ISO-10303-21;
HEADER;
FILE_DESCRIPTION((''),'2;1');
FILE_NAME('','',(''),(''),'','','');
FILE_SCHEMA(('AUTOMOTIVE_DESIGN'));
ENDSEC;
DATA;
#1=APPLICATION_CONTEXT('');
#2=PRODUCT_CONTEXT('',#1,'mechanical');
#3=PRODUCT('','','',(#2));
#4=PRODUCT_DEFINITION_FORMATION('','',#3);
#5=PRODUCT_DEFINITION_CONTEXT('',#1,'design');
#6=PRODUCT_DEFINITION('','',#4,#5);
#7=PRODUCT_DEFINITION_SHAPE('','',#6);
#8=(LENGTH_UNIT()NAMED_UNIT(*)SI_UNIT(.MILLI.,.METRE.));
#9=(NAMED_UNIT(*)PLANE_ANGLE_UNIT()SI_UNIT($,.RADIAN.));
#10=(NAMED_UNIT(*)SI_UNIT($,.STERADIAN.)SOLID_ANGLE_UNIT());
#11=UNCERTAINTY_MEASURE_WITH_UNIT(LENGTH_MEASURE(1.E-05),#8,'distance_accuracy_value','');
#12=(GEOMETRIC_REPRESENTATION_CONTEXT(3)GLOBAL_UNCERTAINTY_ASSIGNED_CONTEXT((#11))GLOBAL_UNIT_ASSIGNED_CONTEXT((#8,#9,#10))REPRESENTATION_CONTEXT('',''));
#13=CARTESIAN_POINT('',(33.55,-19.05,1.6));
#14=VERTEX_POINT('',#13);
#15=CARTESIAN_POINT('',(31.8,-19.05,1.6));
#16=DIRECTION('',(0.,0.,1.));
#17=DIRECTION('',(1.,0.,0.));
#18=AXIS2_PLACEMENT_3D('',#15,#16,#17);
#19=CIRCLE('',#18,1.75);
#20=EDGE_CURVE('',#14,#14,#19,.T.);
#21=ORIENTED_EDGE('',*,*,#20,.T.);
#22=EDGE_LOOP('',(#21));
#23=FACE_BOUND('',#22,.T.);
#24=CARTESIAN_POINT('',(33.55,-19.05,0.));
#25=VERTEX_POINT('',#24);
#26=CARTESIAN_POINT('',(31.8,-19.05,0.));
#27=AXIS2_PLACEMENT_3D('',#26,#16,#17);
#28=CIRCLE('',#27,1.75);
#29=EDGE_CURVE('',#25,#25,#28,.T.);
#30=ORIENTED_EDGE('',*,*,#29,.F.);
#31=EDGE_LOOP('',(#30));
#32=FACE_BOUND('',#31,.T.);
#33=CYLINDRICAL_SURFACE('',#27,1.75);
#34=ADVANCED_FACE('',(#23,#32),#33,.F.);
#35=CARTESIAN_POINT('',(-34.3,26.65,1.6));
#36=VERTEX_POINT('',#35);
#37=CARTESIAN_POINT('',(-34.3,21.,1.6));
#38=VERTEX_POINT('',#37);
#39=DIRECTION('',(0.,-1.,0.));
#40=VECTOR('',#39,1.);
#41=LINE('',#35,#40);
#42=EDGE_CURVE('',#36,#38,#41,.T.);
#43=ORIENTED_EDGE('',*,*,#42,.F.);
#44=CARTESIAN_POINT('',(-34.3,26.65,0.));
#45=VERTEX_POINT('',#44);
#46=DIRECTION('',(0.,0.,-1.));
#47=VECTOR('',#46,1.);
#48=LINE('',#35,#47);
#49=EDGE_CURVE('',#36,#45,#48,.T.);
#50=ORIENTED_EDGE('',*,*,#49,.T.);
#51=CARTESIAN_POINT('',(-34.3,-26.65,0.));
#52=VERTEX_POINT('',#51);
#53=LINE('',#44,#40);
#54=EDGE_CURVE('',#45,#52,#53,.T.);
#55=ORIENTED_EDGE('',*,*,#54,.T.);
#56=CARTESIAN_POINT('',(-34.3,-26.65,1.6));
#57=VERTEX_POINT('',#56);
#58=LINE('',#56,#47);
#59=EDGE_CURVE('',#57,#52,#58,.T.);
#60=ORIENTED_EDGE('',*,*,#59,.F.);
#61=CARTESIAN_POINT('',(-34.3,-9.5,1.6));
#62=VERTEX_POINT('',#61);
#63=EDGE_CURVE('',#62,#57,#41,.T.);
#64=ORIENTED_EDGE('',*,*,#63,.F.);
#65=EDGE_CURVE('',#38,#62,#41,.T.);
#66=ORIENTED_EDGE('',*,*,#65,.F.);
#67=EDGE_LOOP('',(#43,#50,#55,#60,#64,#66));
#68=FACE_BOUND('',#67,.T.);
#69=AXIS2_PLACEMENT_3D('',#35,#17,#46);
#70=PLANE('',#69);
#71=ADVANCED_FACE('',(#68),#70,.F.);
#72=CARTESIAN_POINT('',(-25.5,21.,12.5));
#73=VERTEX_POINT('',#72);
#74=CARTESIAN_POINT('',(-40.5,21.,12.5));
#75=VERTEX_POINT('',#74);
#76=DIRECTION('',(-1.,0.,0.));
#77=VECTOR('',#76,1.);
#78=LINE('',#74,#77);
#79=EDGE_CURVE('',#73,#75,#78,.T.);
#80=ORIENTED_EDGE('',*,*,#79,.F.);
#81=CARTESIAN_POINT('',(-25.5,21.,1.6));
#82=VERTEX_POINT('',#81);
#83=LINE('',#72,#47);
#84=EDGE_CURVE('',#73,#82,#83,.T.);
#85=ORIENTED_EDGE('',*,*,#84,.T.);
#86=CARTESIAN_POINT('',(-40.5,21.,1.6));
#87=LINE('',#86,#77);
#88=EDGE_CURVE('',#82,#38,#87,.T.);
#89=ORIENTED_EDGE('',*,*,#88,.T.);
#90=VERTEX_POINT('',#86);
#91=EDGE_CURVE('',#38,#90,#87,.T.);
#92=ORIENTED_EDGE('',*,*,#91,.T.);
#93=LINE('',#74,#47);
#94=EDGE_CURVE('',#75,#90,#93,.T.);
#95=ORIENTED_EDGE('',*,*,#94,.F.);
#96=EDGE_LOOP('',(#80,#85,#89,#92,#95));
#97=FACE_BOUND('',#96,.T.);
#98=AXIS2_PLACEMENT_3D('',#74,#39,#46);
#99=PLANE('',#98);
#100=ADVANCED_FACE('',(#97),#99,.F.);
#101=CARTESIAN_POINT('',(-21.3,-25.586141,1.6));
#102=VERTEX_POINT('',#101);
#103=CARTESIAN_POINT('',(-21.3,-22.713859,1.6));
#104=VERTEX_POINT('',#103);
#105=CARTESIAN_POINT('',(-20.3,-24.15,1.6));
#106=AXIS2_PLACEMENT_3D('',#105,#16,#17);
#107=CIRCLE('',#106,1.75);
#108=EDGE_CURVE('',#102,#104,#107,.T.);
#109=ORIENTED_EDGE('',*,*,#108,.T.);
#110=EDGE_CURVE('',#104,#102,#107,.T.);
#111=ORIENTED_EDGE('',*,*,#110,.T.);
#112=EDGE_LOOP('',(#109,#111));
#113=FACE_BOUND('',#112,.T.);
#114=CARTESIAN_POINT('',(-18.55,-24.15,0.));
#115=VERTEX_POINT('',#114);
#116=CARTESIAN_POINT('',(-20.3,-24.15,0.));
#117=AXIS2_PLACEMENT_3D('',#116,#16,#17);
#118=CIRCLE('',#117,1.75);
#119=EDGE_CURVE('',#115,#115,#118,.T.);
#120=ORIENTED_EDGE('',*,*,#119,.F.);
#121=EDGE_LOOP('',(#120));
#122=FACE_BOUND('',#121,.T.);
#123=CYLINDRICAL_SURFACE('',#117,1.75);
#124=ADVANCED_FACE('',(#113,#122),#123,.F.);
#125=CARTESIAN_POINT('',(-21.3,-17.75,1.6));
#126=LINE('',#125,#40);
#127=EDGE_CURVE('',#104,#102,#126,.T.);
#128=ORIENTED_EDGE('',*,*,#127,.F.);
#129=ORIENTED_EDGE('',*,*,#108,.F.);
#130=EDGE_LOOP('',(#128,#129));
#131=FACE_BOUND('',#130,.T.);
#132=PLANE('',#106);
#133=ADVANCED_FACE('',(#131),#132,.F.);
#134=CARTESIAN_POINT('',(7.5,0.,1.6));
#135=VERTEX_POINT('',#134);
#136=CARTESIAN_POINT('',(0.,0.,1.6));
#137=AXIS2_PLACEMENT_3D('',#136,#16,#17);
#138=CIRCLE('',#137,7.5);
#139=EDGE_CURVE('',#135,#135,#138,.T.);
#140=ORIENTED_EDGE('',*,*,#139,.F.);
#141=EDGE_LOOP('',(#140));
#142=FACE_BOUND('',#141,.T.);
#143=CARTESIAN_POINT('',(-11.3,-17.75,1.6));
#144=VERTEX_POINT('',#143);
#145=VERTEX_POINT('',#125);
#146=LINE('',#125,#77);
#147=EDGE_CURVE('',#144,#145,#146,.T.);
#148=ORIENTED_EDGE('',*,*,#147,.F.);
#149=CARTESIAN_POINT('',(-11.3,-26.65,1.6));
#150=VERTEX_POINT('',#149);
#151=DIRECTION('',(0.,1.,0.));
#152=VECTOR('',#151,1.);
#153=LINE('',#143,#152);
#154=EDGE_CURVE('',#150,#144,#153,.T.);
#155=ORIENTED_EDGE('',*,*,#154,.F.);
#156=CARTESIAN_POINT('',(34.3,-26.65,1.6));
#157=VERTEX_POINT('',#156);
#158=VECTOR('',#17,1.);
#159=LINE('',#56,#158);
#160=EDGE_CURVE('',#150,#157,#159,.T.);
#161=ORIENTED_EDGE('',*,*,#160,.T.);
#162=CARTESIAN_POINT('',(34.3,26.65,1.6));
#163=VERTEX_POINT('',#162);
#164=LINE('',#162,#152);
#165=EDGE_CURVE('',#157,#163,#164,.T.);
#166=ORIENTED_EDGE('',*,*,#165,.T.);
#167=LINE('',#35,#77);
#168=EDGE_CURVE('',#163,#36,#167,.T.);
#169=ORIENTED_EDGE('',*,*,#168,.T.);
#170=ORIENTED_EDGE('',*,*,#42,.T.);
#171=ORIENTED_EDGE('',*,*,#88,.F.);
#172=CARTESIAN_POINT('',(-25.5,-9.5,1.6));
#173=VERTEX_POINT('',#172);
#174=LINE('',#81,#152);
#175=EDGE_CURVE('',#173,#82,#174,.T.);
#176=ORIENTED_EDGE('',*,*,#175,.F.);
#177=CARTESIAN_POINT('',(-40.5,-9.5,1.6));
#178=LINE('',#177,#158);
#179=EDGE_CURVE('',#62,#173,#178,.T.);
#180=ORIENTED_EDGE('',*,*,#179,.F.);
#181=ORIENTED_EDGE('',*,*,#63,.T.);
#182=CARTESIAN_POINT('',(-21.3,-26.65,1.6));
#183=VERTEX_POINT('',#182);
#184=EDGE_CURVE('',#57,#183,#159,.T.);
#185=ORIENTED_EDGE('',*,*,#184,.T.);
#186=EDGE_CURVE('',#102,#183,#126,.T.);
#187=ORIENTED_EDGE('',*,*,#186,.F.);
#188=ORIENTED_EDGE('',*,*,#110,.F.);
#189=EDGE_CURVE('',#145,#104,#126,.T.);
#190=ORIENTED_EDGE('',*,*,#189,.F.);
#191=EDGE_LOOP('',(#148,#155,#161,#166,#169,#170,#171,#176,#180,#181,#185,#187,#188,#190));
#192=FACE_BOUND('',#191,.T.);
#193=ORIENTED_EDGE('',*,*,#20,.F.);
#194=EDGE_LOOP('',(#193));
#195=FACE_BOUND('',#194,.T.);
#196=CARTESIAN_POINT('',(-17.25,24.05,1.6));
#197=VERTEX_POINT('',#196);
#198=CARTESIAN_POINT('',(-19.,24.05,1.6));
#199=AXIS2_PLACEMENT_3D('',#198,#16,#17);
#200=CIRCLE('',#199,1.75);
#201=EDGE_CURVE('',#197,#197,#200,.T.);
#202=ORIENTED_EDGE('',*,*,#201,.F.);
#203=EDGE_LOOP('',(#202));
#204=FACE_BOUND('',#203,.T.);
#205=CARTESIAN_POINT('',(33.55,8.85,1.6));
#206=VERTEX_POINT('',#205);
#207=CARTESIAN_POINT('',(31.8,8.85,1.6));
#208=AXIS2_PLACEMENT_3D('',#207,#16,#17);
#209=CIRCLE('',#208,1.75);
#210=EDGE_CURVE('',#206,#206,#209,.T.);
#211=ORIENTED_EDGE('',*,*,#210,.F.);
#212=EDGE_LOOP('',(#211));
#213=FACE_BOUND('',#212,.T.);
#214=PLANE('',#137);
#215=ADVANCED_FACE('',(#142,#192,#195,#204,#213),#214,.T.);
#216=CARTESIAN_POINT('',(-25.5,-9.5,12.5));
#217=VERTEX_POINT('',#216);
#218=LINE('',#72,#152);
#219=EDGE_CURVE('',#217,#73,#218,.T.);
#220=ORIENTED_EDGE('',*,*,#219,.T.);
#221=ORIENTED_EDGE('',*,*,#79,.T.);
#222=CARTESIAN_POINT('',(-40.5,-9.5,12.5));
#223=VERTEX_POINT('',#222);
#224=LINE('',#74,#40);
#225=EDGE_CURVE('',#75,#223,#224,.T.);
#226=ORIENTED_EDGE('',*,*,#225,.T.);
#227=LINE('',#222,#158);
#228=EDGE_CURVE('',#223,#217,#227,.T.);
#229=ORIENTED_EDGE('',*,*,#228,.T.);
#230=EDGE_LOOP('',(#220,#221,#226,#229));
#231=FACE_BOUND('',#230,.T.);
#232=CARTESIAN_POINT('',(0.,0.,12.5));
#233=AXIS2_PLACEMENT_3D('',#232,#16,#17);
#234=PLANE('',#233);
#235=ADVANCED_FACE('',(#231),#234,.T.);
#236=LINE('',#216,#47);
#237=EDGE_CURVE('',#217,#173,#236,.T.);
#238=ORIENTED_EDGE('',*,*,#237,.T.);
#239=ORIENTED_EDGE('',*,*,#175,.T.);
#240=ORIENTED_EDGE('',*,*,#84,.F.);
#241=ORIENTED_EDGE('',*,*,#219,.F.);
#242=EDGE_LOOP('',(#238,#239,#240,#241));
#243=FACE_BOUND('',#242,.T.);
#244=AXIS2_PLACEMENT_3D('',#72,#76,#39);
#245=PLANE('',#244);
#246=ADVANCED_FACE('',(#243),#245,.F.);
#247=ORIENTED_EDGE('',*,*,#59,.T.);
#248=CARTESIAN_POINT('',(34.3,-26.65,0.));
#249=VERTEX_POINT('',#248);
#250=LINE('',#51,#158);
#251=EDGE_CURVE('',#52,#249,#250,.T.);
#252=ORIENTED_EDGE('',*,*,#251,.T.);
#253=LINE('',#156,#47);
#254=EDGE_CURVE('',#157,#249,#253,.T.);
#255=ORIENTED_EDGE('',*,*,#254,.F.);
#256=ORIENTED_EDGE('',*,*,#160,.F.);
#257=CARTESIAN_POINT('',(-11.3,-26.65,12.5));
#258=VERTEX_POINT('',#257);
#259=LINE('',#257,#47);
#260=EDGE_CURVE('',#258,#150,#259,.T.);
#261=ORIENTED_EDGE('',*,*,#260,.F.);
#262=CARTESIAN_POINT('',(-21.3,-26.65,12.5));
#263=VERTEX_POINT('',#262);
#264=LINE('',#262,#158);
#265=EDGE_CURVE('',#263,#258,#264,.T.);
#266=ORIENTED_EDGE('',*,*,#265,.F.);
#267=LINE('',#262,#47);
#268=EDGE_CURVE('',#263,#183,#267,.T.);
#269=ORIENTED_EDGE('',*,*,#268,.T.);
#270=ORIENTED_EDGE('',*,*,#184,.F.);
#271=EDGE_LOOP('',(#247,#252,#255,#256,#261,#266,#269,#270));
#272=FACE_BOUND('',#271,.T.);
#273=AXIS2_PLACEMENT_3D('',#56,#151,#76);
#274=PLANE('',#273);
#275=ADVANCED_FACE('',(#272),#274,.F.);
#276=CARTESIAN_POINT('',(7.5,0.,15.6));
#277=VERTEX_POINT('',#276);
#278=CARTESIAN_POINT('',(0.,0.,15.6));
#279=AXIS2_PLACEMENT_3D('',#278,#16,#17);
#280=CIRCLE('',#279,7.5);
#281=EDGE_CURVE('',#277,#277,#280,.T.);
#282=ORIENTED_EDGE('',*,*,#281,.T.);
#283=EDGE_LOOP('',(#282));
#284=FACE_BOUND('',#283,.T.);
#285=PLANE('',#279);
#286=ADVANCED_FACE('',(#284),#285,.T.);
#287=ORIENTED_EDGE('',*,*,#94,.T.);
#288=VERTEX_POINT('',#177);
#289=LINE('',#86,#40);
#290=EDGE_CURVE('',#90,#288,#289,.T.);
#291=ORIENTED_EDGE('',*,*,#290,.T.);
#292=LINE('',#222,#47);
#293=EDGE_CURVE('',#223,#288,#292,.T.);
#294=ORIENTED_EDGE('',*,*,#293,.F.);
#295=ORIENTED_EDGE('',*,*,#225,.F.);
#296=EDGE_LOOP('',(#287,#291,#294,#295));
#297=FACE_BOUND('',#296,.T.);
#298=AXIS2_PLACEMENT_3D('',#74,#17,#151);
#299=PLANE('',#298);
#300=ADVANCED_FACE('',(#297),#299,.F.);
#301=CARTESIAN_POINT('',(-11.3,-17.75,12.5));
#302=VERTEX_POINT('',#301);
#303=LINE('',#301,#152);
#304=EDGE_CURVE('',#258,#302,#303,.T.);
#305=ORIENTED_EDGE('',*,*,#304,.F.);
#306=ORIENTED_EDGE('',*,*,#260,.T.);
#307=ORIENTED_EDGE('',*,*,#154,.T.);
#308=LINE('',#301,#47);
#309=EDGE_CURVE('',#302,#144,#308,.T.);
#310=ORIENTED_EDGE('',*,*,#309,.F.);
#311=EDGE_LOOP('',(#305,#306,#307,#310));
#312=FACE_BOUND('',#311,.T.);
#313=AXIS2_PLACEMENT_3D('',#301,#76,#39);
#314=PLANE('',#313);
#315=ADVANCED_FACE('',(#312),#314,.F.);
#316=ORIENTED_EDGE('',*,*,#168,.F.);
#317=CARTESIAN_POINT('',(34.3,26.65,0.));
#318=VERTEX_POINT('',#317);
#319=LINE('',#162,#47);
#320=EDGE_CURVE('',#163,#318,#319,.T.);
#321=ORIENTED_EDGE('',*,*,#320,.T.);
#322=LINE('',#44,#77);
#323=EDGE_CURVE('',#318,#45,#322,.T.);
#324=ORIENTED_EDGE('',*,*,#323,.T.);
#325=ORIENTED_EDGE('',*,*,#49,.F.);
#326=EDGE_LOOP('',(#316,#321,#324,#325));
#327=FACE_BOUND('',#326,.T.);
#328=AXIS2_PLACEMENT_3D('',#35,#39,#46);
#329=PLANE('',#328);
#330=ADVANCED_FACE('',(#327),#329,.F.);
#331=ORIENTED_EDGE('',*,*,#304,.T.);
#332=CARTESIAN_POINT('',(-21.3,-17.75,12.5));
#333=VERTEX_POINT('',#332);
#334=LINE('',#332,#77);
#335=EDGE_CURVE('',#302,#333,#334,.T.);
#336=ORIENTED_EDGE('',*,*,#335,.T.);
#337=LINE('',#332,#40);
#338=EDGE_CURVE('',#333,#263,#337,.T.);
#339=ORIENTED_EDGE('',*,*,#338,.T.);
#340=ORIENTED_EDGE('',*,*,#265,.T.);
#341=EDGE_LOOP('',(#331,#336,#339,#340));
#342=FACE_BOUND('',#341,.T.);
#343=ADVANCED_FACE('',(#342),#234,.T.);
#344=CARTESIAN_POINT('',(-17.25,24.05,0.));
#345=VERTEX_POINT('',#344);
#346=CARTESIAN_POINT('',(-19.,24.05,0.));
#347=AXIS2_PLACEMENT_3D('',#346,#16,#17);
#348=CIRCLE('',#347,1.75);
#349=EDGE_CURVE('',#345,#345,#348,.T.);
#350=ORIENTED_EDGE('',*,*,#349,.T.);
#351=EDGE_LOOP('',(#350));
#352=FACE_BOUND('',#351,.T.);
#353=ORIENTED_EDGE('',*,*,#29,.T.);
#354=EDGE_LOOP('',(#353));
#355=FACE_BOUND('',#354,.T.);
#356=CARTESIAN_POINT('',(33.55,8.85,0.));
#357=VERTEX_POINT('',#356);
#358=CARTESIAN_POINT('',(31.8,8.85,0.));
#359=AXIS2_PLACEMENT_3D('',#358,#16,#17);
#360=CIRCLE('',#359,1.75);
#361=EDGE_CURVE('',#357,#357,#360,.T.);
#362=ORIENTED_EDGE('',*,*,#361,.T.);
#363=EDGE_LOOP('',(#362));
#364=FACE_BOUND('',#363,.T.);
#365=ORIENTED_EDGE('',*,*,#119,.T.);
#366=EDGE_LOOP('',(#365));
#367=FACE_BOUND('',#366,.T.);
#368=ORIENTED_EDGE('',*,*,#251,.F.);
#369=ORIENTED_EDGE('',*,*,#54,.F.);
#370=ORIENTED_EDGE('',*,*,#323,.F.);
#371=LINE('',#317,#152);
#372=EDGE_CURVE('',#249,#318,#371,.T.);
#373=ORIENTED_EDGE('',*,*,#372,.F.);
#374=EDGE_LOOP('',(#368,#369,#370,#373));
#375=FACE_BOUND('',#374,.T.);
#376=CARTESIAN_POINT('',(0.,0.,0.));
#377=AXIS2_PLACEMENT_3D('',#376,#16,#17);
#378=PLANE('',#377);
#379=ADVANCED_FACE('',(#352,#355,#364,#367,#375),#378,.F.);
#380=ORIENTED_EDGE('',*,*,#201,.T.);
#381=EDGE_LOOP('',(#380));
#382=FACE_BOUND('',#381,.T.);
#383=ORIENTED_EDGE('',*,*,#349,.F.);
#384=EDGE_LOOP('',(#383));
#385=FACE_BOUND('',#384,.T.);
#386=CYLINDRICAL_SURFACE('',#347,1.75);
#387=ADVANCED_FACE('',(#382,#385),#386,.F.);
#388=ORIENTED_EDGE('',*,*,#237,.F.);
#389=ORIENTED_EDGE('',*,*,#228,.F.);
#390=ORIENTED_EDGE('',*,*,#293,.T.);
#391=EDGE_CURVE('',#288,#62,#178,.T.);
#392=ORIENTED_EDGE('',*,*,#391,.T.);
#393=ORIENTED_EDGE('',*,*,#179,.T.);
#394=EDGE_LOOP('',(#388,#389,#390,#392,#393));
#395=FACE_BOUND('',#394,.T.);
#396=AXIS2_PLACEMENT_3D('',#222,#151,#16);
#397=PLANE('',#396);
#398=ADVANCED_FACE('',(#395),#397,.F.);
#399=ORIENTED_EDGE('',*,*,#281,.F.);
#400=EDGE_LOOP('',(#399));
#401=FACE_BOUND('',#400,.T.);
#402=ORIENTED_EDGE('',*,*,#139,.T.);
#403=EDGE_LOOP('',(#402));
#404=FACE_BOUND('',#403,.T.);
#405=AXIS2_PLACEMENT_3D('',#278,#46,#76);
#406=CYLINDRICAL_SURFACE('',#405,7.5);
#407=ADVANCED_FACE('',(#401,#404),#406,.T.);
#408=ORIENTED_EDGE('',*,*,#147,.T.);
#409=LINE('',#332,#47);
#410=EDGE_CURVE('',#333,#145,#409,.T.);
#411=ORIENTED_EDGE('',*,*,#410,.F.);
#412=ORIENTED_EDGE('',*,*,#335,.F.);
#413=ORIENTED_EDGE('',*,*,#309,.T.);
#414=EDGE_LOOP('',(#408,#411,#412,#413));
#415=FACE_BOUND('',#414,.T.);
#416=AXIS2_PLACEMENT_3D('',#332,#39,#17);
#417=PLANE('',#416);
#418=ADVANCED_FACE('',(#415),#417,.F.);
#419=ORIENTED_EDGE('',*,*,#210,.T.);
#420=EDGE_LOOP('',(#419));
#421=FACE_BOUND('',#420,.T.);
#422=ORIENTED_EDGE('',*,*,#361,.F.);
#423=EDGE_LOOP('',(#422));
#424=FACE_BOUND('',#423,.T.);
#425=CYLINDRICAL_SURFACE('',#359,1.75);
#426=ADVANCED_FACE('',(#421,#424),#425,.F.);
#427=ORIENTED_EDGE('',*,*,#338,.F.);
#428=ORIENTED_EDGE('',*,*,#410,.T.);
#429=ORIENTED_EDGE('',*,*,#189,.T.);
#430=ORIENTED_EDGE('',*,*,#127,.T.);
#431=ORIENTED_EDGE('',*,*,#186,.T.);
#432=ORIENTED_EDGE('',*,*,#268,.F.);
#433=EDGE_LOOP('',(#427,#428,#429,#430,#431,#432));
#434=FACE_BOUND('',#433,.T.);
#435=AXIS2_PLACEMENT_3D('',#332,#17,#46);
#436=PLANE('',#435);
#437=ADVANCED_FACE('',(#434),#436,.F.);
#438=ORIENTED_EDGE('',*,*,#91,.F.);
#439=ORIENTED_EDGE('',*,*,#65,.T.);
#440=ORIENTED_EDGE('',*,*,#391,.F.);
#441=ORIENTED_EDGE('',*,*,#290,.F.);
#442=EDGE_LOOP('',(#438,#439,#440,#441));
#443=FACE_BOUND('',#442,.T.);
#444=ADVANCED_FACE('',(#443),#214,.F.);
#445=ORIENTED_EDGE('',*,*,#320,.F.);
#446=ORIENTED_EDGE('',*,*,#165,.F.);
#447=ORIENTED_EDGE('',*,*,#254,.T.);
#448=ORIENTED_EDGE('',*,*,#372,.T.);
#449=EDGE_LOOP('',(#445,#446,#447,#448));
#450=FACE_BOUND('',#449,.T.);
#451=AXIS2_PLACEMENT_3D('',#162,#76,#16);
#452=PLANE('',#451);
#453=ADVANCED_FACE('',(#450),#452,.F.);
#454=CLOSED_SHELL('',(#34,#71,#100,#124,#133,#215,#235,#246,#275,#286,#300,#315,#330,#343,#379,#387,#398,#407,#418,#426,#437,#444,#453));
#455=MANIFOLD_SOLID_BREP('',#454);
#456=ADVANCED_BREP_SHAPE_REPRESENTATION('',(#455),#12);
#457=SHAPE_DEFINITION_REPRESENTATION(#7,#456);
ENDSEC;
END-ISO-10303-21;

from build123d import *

# Parameters (mm, degrees)
SKETCH1_W           = 68.6
SKETCH1_H           = 53.3
BOSS_EXTRUDE1_DEPTH = 1.6
SKETCH2_W           = 15
SKETCH2_H           = 30.5
SKETCH2_W_2         = 10
SKETCH2_H_2         = 8.9
BOSS_EXTRUDE2_DEPTH = 10.9
SKETCH3_R           = 1.75
CUT_EXTRUDE1_DEPTH  = 2.6
SKETCH4_R           = 7.5
BOSS_EXTRUDE3_DEPTH = 14


with BuildPart() as part:
    # Sketch1 → Boss-Extrude1 (new body)
    with BuildSketch(Plane.XY):
        Rectangle(SKETCH1_W, SKETCH1_H)
    extrude(amount=BOSS_EXTRUDE1_DEPTH)

    # Sketch2 → Boss-Extrude2 (add)
    with BuildSketch(Plane.XY.offset(1.6)):
        with Locations((-33, 5.75)):
            Rectangle(SKETCH2_W, SKETCH2_H)
        with Locations((-16.3, -22.2)):
            Rectangle(SKETCH2_W_2, SKETCH2_H_2)
    extrude(amount=BOSS_EXTRUDE2_DEPTH)

    # Sketch3 → Cut-Extrude1 (cut, through all)
    with BuildSketch(Plane.XY.offset(1.6)):
        with Locations((-19, 24.05)):
            Circle(SKETCH3_R)
        with Locations((-20.3, -24.15)):
            Circle(SKETCH3_R)
        with Locations((31.8, -19.05)):
            Circle(SKETCH3_R)
        with Locations((31.8, 8.85)):
            Circle(SKETCH3_R)
    extrude(amount=-CUT_EXTRUDE1_DEPTH, mode=Mode.SUBTRACT)

    # Sketch4 → Boss-Extrude3 (add)
    with BuildSketch(Plane.XY.offset(1.6)):
        Circle(SKETCH4_R)
    extrude(amount=BOSS_EXTRUDE3_DEPTH)


solid = part.part
